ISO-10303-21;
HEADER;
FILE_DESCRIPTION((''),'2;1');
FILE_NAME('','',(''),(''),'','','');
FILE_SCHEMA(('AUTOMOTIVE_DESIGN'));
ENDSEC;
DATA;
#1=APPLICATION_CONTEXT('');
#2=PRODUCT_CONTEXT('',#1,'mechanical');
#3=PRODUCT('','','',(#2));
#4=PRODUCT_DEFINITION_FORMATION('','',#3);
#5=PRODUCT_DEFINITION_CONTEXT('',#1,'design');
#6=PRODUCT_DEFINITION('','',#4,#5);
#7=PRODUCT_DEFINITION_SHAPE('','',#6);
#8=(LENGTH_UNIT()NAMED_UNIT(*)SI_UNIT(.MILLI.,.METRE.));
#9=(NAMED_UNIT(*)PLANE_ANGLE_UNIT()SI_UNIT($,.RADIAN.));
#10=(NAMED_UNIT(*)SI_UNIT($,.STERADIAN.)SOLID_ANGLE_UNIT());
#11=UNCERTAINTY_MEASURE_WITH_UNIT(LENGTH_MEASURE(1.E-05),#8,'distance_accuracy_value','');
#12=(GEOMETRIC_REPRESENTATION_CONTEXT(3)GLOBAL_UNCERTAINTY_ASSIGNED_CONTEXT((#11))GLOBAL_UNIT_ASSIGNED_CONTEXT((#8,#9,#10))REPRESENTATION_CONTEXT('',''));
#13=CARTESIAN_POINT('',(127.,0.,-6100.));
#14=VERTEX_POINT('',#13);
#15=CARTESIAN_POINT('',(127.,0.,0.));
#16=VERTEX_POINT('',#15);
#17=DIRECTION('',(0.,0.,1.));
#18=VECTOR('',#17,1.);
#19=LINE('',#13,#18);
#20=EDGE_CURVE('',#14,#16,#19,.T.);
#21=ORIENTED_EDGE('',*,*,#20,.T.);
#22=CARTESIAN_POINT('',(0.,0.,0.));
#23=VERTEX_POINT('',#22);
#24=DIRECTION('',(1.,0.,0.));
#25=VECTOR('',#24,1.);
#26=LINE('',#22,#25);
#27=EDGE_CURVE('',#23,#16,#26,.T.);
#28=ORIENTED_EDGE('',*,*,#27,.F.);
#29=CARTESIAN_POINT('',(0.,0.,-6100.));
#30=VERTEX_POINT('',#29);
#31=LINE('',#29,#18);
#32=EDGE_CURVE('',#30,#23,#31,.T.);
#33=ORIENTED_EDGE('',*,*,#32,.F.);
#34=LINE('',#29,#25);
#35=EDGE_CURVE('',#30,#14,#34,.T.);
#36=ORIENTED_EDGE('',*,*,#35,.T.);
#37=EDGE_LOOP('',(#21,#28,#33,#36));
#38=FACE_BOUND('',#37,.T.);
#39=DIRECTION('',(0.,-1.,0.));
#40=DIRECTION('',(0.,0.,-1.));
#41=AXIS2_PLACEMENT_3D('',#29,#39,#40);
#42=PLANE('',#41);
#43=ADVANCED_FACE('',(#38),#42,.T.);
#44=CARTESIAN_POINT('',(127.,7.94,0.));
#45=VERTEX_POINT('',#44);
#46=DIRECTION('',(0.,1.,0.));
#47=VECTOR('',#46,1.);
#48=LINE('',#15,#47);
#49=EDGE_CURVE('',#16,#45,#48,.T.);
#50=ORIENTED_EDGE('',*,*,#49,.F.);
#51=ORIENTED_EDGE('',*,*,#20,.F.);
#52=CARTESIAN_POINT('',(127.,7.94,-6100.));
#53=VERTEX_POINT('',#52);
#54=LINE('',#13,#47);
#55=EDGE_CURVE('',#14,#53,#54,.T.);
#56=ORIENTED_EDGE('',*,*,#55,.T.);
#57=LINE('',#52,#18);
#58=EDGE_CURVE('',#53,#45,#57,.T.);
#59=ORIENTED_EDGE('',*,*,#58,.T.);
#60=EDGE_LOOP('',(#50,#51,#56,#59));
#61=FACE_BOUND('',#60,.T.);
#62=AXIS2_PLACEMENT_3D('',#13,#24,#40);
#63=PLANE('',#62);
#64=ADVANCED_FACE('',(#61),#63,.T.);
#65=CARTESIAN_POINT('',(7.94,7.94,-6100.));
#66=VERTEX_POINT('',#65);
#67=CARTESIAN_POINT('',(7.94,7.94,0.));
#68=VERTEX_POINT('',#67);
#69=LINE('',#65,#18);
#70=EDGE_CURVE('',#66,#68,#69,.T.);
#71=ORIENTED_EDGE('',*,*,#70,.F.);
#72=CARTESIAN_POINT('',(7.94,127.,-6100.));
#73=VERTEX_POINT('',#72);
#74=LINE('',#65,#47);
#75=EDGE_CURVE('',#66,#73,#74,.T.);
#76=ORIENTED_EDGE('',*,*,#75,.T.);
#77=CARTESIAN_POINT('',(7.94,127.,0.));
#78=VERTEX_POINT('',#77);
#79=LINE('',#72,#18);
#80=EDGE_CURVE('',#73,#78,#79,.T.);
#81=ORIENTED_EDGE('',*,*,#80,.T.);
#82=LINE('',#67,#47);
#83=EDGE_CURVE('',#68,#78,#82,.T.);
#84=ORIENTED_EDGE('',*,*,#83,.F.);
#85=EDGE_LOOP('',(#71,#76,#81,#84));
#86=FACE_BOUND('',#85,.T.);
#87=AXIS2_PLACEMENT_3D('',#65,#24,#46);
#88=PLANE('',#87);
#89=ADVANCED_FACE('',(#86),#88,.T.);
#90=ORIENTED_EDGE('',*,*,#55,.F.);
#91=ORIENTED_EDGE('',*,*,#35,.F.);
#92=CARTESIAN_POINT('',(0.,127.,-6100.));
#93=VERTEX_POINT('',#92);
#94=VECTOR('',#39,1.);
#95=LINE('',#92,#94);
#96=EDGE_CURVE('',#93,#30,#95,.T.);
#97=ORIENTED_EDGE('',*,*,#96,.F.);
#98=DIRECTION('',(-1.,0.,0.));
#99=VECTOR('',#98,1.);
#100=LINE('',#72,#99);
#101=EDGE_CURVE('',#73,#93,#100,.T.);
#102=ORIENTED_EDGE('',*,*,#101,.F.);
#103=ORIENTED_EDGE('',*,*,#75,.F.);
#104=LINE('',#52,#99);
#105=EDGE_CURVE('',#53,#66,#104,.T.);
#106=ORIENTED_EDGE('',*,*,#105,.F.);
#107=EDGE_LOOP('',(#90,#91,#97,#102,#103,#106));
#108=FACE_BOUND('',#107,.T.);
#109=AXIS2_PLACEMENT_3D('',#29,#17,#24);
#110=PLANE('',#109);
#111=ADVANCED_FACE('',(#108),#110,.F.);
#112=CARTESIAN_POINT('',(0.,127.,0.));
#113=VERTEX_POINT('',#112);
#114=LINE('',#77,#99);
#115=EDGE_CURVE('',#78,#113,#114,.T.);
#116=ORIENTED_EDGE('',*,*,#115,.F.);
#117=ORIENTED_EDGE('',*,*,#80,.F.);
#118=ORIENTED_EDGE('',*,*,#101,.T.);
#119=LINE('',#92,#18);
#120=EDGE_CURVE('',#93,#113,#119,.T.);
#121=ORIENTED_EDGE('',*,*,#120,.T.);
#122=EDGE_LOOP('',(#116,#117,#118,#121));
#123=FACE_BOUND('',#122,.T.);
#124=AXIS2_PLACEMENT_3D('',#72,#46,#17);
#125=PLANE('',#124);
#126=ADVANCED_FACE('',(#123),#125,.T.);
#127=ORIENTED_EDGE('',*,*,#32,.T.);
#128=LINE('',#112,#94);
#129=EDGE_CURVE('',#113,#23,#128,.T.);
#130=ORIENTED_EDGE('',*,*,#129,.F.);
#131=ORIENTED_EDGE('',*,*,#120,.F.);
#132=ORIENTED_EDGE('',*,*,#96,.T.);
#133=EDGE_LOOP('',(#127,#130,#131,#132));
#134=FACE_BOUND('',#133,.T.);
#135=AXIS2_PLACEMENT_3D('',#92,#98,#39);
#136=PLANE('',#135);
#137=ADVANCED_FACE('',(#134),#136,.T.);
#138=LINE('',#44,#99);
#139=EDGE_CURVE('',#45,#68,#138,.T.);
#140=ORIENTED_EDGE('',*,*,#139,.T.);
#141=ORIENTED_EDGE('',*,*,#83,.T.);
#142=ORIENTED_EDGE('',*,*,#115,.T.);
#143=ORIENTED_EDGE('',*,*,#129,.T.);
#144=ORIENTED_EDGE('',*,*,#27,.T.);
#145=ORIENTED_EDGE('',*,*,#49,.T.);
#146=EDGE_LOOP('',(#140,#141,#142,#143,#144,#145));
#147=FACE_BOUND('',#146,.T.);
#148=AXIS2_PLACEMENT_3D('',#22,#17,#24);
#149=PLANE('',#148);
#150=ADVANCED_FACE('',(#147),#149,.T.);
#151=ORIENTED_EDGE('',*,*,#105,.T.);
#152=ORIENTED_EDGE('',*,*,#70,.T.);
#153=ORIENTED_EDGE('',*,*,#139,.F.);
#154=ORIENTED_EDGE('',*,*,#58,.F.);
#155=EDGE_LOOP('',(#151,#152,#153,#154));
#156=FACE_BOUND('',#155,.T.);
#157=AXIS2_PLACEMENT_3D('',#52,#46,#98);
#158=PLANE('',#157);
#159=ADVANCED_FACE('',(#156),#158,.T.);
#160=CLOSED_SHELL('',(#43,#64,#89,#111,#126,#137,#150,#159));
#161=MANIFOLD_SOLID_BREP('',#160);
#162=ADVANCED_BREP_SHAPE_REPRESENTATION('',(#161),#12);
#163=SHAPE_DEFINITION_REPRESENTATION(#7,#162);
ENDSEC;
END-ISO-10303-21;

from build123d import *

# Parameters (mm, degrees)
SALIENTE_EXTRUIR1_DEPTH = 6100


with BuildPart() as part:
    # Croquis1 → Saliente-Extruir1 (new body)
    with BuildSketch(Plane.XY):
        Polygon((0, 127), (0, 0), (127, 0), (127, 7.94), (7.94, 7.94), (7.94, 127), align=None)
    extrude(amount=-SALIENTE_EXTRUIR1_DEPTH)


solid = part.part
